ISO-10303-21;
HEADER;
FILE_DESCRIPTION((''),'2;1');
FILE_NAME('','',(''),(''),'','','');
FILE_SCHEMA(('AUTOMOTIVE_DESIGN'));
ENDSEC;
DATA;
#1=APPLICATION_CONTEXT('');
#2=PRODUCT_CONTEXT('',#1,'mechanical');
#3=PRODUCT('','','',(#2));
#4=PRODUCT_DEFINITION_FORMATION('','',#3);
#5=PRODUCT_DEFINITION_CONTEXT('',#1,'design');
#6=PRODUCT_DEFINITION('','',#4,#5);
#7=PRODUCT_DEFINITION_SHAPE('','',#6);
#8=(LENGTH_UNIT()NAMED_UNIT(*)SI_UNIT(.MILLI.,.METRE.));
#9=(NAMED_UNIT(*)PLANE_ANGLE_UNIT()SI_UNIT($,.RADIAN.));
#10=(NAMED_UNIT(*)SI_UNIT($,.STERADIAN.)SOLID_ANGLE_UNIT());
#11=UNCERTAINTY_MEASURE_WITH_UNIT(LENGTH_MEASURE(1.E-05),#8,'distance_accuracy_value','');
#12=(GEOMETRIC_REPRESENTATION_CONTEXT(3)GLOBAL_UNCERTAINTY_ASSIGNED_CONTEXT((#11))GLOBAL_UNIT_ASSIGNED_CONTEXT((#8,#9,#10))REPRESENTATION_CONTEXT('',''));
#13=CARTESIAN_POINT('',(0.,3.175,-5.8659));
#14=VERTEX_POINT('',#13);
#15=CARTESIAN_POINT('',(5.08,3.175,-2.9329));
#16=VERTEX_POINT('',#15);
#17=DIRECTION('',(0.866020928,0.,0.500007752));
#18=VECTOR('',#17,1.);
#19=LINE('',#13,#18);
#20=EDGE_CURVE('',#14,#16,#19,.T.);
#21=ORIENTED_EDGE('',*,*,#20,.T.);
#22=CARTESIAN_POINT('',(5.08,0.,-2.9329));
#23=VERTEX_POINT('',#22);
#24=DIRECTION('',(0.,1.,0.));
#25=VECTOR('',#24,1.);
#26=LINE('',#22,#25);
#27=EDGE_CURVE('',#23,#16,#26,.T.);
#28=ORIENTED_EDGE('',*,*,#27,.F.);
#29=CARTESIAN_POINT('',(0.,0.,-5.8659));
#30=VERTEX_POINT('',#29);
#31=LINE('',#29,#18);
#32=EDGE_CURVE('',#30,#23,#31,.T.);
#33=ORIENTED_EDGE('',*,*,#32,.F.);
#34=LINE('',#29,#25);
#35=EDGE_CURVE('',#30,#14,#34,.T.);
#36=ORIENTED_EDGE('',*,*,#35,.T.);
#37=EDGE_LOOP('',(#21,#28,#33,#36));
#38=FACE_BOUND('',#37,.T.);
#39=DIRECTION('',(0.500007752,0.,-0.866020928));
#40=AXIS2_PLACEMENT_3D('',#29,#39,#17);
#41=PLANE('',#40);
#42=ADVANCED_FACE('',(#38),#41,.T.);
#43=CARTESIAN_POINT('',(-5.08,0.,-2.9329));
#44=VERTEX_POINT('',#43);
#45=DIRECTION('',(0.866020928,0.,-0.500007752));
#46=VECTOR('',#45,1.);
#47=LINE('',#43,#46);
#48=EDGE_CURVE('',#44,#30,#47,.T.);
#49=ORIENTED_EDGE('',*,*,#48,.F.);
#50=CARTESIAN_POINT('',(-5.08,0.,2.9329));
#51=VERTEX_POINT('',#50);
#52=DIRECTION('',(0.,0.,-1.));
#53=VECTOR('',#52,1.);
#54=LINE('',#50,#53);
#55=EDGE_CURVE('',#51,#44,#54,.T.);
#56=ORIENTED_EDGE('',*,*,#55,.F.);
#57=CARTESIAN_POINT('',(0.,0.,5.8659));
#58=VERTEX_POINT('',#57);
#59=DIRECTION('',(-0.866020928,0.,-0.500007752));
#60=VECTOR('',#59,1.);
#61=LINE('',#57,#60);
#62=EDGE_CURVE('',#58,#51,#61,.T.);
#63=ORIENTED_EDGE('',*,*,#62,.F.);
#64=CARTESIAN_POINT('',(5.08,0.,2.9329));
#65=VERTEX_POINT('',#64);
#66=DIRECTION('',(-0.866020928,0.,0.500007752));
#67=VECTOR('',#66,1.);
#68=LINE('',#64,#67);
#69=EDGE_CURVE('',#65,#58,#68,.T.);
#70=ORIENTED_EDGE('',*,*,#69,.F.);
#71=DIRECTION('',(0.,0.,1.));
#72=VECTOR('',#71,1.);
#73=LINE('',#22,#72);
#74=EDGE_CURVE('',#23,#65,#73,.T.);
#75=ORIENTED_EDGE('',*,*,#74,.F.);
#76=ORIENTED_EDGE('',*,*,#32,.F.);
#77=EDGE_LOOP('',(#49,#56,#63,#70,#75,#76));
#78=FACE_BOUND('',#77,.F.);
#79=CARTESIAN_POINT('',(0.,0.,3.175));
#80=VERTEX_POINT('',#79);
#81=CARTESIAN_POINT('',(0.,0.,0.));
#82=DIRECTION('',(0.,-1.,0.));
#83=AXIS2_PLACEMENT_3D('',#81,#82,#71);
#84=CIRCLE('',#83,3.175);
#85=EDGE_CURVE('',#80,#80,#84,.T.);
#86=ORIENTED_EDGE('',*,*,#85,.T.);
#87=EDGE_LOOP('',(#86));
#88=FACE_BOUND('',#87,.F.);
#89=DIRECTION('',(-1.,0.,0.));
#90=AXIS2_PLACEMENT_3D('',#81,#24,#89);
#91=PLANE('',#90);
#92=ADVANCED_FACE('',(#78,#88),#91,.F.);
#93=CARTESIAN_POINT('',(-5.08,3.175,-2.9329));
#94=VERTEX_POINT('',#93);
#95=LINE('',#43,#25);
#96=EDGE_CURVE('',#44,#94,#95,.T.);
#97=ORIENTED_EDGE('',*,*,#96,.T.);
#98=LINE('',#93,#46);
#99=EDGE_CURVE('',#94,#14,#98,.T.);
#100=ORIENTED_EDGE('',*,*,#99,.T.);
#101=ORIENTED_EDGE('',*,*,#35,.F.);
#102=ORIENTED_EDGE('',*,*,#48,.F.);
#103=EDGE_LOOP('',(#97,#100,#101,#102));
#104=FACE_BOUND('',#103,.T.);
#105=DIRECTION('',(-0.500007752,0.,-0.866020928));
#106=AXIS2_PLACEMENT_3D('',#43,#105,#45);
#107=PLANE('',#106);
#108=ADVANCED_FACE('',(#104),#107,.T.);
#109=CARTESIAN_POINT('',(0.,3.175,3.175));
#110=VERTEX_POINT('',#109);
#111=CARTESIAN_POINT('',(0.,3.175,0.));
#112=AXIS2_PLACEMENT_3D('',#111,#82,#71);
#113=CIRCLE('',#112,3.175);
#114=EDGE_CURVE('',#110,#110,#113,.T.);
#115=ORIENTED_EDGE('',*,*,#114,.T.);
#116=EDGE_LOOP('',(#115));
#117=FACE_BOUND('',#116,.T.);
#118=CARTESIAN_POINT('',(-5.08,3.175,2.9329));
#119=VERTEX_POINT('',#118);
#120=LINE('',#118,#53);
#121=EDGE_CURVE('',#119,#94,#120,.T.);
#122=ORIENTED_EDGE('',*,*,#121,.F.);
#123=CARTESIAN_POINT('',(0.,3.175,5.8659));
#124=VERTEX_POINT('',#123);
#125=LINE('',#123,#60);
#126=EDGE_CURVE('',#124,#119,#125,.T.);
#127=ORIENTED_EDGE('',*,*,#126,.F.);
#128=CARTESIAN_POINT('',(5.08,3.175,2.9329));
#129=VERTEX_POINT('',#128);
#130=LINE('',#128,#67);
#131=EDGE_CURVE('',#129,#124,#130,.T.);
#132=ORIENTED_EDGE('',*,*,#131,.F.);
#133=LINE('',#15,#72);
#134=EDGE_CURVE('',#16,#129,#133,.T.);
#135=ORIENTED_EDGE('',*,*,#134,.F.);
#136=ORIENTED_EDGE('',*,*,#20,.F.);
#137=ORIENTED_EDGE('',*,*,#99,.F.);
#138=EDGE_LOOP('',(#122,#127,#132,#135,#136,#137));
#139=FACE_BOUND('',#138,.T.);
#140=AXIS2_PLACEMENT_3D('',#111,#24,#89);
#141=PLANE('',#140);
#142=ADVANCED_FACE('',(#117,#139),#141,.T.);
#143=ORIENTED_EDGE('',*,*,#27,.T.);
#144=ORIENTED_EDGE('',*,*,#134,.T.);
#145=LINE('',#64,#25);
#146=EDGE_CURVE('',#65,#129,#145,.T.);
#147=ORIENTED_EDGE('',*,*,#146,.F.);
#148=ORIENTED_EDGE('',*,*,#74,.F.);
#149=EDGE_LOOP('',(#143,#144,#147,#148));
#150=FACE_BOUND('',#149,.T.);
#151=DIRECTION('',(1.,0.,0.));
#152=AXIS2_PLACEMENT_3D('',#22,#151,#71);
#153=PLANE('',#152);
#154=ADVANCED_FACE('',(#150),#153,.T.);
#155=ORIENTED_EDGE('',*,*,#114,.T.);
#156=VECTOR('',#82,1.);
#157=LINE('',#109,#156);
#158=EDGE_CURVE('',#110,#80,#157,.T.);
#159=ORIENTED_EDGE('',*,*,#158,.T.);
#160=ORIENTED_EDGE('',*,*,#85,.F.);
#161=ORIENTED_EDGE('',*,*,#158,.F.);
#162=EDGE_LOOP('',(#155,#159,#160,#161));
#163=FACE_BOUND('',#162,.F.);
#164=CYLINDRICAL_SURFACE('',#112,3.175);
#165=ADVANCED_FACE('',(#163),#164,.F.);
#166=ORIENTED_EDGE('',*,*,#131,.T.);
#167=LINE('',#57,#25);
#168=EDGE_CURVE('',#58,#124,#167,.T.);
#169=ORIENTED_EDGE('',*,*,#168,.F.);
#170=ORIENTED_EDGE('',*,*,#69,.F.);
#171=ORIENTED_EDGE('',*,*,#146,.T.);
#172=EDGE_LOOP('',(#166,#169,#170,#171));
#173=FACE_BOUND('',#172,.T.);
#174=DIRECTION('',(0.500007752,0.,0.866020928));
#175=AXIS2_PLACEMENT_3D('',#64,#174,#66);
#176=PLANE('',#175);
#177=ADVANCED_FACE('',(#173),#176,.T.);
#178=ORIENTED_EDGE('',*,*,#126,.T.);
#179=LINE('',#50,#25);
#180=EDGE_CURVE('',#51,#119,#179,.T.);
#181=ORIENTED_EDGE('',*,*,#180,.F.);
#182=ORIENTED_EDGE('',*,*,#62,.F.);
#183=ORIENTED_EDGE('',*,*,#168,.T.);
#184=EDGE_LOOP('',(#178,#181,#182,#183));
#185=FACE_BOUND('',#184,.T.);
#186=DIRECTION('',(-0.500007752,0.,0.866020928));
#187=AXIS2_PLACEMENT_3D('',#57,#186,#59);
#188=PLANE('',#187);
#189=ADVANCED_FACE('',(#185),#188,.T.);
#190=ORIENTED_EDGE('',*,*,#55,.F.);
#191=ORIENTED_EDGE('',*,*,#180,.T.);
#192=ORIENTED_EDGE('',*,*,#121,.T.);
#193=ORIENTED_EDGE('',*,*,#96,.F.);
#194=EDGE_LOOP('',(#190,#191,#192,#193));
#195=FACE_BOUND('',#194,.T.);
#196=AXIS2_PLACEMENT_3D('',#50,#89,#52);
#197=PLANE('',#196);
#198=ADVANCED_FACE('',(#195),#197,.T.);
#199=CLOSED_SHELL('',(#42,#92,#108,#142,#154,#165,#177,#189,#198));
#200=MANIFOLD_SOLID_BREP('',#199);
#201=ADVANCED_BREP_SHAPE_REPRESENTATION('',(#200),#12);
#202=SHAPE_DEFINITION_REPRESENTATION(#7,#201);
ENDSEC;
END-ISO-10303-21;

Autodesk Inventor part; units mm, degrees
ref_plane "YZ Plane" through (0, 0, 0) normal (1, 0, 0) x (0, 1, 0)
ref_plane "XZ Plane" through (0, 0, 0) normal (0, 1, 0) x (-1, 0, 0)
ref_plane "XY Plane" through (0, 0, 0) normal (0, 0, 1) x (1, 0, 0)
sketch "Sketch1" plane through (0, 0, 0) normal (0, 1, 0) x (-1, 0, 0)
  line L0 (0, -5.8659) -> (-5.08, -2.9329)
  line L1 (-5.08, -2.9329) -> (-5.08, 2.9329)
  line L2 (-5.08, 2.9329) -> (0, 5.8659)
  line L3 (0, 5.8659) -> (5.08, 2.9329)
  line L4 (5.08, 2.9329) -> (5.08, -2.9329)
  line L5 (5.08, -2.9329) -> (0, -5.8659)
  point P0 (0, 0)
  point P1 (0, 0)
  dimension "d0" = 5.08
extrude "Extrusion1" add sketch "Sketch1" along normal blind 3.175
sketch "Sketch2" plane through (0, 3.175, 0) normal (0, 1, 0) x (1, 0, 0)
  point P0 (0, 0)
  point P1 (0, 0)
  point P2 (0, 0)
hole "Hole1" at (0, 3.175, 0) direction (0, -1, 0) diameter 6.35 end through all
properties part number "BM Beam Nut"
